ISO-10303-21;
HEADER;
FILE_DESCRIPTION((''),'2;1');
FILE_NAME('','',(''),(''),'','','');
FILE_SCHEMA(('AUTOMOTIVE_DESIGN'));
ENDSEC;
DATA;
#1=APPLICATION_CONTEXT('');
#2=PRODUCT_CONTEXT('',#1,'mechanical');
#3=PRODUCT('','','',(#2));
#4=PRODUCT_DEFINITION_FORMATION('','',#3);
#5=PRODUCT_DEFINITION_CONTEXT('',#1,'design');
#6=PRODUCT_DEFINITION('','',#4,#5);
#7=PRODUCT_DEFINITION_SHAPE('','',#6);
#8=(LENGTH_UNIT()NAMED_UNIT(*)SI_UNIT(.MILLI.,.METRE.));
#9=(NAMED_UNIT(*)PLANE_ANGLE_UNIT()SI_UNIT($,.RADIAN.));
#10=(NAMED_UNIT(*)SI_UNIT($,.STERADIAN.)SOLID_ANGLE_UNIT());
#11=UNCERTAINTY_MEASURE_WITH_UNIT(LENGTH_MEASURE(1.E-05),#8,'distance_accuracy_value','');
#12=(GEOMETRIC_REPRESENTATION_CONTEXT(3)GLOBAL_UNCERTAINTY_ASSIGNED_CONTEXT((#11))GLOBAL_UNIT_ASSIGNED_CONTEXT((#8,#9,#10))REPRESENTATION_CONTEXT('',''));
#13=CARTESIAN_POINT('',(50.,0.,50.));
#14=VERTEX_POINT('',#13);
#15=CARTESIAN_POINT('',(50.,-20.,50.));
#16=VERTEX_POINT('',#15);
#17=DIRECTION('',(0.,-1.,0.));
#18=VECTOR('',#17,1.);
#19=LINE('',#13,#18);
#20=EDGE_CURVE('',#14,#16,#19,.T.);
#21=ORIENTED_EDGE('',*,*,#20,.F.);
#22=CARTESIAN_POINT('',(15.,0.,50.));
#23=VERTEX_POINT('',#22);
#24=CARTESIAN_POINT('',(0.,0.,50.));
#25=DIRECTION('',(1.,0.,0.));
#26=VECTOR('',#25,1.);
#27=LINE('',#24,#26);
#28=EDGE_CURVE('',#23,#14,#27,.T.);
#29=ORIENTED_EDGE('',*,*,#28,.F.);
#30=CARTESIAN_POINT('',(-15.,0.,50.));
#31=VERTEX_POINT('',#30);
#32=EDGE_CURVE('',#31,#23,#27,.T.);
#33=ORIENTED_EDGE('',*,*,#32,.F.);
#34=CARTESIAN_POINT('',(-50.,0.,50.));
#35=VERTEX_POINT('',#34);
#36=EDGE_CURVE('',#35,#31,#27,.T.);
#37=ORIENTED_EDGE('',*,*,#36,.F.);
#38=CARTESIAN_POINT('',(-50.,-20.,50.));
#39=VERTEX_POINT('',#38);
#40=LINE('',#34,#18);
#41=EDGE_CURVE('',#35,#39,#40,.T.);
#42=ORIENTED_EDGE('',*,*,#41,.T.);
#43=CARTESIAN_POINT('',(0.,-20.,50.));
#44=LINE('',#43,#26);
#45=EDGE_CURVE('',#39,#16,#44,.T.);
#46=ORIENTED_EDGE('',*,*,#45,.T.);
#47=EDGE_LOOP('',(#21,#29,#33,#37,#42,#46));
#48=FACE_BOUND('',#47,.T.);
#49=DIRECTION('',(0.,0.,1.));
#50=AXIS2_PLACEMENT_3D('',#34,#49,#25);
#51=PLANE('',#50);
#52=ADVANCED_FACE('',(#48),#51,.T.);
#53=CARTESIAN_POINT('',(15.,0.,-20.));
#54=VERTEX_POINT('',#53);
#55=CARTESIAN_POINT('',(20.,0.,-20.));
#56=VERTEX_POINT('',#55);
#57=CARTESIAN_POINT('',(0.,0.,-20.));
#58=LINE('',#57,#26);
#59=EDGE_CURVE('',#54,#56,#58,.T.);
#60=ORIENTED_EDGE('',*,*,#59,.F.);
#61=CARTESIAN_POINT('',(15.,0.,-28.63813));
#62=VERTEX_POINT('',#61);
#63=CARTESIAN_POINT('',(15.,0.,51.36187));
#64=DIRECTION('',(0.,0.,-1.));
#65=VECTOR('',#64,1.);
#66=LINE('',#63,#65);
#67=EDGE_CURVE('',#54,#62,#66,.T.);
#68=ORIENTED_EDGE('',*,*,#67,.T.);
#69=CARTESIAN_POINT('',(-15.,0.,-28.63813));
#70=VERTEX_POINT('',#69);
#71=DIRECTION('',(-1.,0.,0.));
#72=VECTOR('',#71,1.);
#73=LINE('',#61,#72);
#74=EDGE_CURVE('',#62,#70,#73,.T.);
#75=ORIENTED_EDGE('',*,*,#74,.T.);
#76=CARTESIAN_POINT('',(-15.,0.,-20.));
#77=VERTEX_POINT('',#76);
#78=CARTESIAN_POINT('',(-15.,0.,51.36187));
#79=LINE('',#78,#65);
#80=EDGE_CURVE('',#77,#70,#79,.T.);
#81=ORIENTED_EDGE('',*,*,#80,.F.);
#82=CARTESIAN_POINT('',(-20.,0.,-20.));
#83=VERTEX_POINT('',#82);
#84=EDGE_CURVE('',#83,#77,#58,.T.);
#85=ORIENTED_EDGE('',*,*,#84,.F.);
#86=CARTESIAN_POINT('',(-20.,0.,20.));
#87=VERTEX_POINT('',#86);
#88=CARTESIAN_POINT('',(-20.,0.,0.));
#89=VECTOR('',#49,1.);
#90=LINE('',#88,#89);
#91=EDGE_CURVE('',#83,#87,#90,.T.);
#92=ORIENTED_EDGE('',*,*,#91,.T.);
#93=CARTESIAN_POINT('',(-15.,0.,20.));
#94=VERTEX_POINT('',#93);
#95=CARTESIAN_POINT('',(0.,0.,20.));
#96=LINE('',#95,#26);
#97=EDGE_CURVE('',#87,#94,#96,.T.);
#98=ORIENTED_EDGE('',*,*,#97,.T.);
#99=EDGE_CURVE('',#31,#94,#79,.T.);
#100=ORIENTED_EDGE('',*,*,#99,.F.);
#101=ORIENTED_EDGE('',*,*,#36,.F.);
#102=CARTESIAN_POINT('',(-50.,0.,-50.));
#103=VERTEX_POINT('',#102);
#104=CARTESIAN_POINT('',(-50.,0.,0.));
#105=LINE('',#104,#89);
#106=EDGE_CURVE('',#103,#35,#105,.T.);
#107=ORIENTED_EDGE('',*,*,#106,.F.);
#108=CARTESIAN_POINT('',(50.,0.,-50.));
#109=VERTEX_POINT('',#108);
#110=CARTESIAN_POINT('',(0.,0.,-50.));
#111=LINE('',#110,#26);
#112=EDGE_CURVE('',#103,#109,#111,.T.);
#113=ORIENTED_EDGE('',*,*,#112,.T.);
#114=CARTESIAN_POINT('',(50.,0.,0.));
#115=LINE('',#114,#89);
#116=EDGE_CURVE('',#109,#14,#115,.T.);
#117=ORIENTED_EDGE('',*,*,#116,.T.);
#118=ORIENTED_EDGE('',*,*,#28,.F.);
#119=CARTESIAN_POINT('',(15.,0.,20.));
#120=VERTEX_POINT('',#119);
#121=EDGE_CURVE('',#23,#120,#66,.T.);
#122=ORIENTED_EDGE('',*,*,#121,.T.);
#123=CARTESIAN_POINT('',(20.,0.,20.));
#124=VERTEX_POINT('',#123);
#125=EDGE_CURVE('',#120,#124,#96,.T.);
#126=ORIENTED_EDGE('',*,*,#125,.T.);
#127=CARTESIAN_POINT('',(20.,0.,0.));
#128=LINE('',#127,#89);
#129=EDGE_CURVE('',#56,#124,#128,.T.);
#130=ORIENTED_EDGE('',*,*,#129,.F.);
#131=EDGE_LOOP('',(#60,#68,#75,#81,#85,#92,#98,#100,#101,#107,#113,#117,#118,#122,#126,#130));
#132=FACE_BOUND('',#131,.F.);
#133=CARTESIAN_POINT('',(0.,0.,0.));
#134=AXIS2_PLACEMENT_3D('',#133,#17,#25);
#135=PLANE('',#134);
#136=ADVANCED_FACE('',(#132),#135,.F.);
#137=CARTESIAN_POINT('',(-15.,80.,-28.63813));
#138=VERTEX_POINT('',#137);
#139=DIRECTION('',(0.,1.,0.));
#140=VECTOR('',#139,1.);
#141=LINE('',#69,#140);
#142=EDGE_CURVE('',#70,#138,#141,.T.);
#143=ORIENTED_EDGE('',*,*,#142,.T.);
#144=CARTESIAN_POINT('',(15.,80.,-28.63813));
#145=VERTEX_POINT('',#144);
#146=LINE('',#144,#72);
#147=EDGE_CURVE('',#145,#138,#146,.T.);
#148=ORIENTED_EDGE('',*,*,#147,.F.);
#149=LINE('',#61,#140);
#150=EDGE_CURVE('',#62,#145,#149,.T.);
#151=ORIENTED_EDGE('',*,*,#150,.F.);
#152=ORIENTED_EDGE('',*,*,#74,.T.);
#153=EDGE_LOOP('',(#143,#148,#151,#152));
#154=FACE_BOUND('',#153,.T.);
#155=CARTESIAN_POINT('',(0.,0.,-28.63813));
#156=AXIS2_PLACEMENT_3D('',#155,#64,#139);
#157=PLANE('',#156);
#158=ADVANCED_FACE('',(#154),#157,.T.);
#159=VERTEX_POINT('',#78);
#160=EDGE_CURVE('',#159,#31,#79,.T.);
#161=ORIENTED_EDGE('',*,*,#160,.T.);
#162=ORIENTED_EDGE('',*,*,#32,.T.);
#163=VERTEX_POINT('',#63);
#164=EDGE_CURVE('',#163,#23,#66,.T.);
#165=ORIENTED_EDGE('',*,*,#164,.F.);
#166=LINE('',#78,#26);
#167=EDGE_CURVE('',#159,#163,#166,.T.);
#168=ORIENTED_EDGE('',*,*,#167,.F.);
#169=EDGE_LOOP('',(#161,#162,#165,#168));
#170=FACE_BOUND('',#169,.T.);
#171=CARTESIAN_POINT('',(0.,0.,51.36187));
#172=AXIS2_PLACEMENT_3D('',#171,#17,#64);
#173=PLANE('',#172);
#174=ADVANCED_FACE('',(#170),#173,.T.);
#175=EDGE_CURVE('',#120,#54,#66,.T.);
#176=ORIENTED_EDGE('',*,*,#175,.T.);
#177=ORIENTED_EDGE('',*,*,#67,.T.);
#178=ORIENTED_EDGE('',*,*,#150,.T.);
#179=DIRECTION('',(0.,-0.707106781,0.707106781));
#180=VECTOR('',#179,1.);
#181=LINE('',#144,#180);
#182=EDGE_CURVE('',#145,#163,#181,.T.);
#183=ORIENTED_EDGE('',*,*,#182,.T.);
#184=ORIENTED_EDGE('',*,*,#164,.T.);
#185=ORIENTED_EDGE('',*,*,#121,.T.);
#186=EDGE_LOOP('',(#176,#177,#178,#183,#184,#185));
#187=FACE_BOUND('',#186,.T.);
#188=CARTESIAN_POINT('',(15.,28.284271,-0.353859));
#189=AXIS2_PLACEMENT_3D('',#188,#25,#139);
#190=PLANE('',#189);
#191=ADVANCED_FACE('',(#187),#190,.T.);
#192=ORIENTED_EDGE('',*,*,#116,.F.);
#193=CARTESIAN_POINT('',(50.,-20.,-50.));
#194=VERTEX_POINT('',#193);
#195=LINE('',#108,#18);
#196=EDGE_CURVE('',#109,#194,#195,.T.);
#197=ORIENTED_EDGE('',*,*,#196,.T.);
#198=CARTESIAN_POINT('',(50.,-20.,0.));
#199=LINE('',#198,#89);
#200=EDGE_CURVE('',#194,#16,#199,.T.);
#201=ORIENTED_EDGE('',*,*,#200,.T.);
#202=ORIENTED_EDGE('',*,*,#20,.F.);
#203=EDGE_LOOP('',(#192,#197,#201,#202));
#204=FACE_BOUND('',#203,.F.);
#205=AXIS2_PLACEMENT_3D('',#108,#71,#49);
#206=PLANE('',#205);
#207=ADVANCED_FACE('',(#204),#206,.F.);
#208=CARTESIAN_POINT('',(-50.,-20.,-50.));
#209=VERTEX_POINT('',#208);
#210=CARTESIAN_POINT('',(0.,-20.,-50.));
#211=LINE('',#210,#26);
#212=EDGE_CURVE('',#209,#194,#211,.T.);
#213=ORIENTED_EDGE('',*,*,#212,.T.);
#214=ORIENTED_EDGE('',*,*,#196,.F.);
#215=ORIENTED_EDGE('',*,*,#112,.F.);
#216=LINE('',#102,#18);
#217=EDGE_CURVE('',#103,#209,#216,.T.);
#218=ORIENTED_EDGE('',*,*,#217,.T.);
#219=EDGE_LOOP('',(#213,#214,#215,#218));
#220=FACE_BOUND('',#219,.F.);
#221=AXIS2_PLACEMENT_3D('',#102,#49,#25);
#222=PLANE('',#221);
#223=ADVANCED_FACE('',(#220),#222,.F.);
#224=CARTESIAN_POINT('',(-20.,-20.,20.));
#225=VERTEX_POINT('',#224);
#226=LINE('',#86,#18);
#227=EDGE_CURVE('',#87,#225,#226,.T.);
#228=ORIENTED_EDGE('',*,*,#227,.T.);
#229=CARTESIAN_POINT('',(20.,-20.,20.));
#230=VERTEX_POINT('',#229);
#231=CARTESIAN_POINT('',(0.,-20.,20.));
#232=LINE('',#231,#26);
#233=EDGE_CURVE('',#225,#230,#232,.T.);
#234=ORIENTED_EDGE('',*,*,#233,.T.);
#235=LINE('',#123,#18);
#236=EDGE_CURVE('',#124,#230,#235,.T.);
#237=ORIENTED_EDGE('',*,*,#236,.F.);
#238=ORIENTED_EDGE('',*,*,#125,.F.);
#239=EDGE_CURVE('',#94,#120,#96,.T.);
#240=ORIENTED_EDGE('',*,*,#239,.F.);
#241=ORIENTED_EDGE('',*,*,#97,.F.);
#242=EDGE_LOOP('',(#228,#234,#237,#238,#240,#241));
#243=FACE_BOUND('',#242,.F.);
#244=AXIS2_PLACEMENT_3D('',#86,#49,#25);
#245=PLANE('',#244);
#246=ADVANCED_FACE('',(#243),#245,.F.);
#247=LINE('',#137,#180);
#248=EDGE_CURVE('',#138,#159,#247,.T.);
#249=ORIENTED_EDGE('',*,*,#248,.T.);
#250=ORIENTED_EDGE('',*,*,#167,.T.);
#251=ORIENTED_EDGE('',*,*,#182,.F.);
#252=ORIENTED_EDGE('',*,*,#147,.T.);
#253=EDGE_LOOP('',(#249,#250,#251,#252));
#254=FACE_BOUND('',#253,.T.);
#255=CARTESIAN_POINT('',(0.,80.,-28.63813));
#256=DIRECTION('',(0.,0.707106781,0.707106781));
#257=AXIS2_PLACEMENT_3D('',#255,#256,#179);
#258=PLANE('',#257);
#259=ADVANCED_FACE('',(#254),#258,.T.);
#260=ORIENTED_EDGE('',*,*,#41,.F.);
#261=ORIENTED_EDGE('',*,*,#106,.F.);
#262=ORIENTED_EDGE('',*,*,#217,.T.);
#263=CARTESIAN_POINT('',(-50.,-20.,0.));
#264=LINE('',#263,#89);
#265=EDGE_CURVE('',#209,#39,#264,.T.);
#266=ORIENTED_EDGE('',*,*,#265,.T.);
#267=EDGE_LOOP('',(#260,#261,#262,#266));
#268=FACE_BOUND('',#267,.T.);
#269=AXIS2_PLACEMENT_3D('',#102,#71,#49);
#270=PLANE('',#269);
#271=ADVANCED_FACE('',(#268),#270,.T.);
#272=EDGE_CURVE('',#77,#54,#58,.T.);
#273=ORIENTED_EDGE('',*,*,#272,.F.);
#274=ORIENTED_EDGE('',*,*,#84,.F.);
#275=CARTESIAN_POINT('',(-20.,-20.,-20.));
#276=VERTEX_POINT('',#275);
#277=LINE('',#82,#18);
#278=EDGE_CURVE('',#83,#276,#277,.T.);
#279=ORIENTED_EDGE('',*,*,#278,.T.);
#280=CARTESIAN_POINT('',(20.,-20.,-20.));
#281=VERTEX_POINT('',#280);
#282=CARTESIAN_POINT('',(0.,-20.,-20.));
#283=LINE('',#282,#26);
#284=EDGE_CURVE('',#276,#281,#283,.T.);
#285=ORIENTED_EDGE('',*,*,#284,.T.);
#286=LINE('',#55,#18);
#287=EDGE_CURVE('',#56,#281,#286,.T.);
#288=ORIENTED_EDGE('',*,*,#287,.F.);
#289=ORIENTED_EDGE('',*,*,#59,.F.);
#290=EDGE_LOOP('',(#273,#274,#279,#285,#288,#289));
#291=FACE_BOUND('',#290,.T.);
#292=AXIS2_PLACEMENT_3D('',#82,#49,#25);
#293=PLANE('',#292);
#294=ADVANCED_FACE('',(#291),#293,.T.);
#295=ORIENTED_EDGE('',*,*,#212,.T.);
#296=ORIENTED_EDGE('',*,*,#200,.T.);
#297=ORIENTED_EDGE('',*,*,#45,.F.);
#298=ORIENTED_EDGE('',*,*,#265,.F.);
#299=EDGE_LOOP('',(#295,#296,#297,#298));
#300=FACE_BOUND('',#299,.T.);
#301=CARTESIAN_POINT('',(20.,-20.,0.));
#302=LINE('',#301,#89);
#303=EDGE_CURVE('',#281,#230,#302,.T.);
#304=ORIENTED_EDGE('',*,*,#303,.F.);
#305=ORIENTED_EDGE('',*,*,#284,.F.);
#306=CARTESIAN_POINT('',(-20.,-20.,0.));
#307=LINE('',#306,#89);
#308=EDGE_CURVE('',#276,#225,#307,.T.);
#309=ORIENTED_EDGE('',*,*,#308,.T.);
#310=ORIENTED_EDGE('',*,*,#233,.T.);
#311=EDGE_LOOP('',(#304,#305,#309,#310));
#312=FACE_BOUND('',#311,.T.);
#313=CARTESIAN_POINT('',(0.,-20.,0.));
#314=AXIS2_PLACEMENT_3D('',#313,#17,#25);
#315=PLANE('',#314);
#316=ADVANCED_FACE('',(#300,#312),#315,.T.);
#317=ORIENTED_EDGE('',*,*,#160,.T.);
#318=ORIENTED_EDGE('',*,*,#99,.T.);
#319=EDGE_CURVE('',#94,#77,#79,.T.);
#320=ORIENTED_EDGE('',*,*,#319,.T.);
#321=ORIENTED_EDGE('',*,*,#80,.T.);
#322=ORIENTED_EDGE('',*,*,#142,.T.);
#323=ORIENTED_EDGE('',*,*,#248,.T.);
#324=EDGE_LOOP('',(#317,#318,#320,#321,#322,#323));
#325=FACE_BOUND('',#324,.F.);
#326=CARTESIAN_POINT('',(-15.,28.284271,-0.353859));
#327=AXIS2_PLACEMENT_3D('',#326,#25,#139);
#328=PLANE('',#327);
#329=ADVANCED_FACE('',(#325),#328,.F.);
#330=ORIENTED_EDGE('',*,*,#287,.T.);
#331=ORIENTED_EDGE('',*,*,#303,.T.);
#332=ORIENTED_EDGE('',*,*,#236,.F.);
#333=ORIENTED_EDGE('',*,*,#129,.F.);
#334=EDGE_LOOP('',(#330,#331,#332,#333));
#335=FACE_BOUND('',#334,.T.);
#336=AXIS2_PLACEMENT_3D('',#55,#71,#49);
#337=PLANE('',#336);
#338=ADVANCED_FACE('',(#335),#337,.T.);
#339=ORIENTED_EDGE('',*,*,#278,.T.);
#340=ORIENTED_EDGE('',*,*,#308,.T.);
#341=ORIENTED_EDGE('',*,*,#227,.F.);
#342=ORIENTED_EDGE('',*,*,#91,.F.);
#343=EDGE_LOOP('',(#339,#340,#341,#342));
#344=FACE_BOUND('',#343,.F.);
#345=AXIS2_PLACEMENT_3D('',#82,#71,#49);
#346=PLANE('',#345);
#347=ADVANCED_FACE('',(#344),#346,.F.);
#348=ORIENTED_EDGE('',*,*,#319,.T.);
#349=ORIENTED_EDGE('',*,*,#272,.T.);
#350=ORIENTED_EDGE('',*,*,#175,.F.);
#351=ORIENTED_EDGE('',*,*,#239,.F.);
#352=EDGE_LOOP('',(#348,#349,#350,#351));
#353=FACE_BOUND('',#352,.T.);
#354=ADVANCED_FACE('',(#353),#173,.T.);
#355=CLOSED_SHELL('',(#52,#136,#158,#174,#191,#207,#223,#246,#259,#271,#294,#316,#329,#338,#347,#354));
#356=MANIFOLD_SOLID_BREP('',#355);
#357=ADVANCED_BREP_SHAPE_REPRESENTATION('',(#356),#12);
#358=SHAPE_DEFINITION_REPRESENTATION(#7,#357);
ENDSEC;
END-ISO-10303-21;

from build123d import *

# Parameters (mm, degrees)
F0_W     = 100
F0_H     = 100
F0_W_2   = 40
F0_H_2   = 40
F1_DEPTH = 20
F3_DEPTH = 15


with BuildPart() as f1:
    # F0 (on Front) → F1 (new body)
    with BuildSketch(Plane.XZ):
        Rectangle(F0_W, F0_H)
        Rectangle(F0_W_2, F0_H_2, mode=Mode.SUBTRACT)
    extrude(amount=F1_DEPTH)

    # F2 (on Right) → F3 (join, symmetric)
    with BuildSketch(Plane.YZ):
        Polygon((80, -28.63813), (0, 51.36187), (0, -28.63813), align=None)
    extrude(amount=F3_DEPTH, both=True)


solid = f1.part
